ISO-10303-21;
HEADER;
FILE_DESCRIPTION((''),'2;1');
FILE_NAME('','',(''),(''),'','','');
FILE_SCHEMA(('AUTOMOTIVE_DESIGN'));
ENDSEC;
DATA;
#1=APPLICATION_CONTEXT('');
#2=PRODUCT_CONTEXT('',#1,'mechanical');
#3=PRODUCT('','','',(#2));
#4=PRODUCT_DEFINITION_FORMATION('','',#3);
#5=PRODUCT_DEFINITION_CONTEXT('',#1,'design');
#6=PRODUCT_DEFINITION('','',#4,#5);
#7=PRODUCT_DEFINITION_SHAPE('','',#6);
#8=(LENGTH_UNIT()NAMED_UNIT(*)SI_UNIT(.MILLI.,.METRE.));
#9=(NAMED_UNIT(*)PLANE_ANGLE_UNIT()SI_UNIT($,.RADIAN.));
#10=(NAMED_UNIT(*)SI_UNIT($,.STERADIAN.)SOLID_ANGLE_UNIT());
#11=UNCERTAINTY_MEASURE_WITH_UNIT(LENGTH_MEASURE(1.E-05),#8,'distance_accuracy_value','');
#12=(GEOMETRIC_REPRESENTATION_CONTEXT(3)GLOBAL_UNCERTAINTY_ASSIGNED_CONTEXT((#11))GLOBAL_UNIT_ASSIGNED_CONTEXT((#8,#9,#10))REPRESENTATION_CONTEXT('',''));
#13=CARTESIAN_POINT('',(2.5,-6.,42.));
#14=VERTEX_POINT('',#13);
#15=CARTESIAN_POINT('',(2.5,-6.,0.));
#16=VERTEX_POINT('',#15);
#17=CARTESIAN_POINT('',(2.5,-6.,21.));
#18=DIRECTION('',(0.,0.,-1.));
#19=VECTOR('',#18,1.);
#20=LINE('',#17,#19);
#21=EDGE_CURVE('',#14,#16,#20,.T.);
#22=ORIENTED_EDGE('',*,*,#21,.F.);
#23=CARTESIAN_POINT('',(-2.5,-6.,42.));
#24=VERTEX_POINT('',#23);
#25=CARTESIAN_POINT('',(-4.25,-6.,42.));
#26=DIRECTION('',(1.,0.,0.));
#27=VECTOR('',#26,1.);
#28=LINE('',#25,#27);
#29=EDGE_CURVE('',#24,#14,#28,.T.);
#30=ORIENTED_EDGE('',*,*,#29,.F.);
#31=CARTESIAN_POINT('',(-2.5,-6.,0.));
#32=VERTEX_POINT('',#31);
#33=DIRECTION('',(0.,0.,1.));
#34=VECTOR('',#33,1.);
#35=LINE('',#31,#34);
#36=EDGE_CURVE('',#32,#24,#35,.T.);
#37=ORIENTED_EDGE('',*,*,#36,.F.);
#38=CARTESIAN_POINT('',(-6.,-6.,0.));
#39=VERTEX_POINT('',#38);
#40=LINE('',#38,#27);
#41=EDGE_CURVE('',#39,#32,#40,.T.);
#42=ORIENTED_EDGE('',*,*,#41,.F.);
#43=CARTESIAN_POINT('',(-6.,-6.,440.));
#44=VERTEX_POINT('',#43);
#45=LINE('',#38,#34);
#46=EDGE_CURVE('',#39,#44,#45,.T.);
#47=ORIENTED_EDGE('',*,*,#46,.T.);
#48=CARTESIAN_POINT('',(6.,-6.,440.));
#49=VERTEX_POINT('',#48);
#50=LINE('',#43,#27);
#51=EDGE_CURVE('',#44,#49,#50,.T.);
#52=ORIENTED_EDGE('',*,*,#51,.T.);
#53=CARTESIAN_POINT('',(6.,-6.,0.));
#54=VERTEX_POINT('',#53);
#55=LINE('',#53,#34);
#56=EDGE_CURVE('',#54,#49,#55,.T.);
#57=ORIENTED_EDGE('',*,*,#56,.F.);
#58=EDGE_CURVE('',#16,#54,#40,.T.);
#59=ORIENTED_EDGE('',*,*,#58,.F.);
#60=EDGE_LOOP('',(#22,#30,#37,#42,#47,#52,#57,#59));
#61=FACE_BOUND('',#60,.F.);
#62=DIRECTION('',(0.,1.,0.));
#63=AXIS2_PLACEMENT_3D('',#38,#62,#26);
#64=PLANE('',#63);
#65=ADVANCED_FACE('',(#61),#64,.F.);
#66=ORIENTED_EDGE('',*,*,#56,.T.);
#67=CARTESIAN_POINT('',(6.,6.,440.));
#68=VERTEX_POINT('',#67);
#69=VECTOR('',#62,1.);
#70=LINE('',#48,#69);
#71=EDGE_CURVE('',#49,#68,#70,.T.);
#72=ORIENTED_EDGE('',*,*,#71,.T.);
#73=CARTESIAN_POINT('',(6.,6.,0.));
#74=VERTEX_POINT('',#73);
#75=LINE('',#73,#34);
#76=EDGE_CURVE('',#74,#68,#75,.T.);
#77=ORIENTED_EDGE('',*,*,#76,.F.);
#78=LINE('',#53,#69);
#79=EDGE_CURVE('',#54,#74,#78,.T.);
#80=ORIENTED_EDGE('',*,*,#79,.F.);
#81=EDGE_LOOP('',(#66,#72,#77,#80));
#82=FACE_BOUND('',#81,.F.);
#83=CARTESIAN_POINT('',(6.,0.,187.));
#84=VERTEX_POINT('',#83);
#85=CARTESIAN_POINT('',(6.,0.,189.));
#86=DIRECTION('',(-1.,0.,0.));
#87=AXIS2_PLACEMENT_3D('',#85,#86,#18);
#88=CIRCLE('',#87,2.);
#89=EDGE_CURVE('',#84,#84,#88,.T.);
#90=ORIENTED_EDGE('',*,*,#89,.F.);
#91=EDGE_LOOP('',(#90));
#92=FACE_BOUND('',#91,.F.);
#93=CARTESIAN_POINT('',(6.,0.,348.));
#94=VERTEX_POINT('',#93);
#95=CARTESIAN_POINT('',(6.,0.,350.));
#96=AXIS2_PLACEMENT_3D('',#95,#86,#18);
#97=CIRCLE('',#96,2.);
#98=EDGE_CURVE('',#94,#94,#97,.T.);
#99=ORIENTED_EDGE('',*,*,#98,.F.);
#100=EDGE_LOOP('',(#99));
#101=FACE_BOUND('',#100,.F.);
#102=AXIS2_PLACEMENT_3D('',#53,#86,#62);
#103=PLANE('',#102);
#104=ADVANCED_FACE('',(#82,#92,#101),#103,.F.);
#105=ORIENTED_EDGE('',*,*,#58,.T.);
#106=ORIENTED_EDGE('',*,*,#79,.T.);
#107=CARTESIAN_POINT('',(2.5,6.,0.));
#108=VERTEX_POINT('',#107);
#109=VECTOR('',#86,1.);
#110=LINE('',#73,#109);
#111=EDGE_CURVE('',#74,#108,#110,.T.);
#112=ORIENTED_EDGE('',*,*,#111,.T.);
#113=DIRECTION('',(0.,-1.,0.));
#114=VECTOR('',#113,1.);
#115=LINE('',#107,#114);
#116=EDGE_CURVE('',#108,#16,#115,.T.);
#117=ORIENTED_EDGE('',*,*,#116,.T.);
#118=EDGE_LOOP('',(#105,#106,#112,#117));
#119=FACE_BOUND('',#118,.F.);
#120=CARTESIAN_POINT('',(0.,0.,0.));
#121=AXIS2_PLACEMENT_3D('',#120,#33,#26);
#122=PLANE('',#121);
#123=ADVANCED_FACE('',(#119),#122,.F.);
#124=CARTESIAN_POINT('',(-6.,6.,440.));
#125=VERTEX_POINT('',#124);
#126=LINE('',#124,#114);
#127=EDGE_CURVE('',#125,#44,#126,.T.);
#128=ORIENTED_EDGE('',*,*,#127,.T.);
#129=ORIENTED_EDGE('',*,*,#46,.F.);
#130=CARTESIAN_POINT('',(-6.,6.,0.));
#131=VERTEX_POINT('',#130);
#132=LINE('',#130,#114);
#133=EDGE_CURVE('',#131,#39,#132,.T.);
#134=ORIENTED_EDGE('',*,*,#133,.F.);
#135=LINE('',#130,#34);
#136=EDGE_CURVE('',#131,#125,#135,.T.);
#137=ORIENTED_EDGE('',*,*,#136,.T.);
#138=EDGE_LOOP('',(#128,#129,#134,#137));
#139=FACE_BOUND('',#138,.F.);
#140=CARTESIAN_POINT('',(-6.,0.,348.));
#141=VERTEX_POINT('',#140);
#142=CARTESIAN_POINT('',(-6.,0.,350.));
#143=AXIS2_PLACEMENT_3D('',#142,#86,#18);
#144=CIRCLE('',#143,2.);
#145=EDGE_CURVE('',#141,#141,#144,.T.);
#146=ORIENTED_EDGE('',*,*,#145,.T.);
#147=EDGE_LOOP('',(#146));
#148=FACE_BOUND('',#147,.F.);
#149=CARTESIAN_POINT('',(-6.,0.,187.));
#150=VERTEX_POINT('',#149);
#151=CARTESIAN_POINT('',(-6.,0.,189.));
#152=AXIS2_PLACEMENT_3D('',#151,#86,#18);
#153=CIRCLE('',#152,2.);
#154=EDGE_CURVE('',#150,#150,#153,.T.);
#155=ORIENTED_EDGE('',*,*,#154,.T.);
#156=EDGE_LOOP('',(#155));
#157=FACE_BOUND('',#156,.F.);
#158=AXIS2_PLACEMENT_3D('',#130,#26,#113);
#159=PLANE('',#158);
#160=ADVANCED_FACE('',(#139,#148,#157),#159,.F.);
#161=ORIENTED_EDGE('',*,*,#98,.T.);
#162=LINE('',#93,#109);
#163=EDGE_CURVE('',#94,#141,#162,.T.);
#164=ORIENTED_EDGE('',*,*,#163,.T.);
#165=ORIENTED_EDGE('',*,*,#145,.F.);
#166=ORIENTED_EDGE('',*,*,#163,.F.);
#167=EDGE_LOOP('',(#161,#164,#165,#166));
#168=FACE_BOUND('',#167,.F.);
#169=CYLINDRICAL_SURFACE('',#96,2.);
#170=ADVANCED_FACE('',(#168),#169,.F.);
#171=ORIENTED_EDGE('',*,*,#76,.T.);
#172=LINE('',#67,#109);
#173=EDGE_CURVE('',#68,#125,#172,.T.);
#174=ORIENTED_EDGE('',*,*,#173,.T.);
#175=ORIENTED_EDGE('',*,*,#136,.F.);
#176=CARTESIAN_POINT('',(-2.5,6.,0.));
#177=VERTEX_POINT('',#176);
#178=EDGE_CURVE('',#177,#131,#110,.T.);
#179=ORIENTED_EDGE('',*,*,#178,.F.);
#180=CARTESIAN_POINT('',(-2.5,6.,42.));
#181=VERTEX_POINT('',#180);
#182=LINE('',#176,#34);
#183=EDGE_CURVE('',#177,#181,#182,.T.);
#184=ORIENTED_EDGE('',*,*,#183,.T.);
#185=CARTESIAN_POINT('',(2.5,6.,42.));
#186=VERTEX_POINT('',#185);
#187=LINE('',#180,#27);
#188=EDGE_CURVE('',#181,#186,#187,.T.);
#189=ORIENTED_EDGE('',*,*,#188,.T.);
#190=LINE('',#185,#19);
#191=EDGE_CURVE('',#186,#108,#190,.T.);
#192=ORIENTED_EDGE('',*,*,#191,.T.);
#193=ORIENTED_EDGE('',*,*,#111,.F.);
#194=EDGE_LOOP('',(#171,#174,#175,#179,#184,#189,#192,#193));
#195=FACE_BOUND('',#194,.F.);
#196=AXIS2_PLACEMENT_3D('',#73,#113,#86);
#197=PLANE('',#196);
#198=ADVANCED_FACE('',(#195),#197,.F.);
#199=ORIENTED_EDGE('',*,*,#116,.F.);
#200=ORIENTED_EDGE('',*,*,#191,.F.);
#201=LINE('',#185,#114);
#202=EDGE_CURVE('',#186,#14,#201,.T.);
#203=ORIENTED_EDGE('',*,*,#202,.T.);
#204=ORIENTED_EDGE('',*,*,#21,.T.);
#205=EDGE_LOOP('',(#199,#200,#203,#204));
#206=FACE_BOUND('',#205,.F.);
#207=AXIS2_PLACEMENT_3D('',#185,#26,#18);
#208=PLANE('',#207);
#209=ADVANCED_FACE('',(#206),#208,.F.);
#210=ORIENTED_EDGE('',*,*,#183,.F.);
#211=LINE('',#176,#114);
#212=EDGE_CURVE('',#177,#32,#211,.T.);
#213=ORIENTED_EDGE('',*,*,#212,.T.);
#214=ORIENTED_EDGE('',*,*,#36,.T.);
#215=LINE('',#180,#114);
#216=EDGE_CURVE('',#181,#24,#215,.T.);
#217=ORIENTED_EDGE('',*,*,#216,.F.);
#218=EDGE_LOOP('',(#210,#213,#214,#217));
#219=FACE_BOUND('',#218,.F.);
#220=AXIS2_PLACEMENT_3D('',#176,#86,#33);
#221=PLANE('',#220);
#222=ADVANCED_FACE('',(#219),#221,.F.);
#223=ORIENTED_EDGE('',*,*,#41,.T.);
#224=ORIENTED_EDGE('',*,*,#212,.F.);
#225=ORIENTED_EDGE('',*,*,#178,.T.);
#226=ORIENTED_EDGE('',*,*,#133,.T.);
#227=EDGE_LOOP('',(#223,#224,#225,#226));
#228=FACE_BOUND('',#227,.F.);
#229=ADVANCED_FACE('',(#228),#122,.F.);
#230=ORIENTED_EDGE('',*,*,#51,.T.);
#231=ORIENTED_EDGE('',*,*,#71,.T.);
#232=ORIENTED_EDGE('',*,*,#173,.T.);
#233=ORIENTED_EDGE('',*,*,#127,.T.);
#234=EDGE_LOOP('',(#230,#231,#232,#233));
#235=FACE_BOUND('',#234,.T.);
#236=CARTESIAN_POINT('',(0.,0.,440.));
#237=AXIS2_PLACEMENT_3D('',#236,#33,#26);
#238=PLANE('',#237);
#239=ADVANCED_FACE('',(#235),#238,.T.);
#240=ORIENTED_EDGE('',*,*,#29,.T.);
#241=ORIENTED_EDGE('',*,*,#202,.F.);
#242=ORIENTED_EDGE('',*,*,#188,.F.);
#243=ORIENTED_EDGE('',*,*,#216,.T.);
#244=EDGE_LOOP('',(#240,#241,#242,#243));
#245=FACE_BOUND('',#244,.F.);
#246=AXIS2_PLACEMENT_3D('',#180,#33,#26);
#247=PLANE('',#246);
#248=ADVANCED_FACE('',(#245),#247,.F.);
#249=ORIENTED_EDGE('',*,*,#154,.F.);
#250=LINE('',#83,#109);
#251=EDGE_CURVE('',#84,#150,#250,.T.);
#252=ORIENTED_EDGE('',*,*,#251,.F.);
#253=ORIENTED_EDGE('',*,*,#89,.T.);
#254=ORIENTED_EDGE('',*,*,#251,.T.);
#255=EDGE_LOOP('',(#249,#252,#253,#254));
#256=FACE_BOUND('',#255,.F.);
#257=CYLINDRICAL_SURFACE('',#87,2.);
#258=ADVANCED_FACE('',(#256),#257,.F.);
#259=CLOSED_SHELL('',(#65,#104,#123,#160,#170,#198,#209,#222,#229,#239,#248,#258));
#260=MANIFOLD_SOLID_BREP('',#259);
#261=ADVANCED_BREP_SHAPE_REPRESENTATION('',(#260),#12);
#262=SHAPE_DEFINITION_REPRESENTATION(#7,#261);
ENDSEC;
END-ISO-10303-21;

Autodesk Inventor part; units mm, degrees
ref_plane "YZ Plane" through (0, 0, 0) normal (1, 0, 0) x (0, 1, 0)
ref_plane "XZ Plane" through (0, 0, 0) normal (0, 1, 0) x (-1, 0, 0)
ref_plane "XY Plane" through (0, 0, 0) normal (0, 0, 1) x (1, 0, 0)
sketch "Sketch1" plane through (0, 0, 0) normal (0, 0, 1) x (1, 0, 0)
  line L0 (-6, -6) -> (6, -6)
  line L1 (6, -6) -> (6, 6)
  line L2 (6, 6) -> (-6, 6)
  line L3 (-6, 6) -> (-6, -6)
  line L4 (-6, -6) -> (6, 6) construction
  line L5 (6, -6) -> (-6, 6) construction
  point P0 (0, 0)
  dimension "d0" = 12
  dimension "d1" = 12
extrude "Extrusion1" add sketch "Sketch1" along normal blind 440
sketch "Sketch4" plane through (-6, 6, 0) normal (0, 1, 0) x (1, 0, 0)
  line L0 (12, 0) -> (0, 0) projected
  line L1 (0, 0) -> (0, -440) projected
  line L2 (12, -440) -> (0, -440) projected
  line L3 (12, 0) -> (12, -440) projected
  line L4 (3.5, 0) -> (3.5, -42)
  line L5 (3.5, -42) -> (8.5, -42)
  line L6 (8.5, -42) -> (8.5, 0)
  point P0 (6, 0)
  point P1 (6, -42)
  point P2 (6, 0)
  dimension "d17" = 5
  dimension "d18" = 42
extrude "Extrusion3" cut sketch "Sketch4" against normal through all contours L6 L5 L4 L0
sketch "Sketch5" plane through (6, -6, 0) normal (1, 0, 0) x (0, 0, -1)
  line L0 (-440, 0) -> (-440, 12) projected
  point P0 (0, 6)
  point P1 (-350, 6)
  point P2 (-189, 6)
  point P3 (-440, 6)
  dimension "d21" = 161
  dimension "d24" = 90
hole "Hole2" at (6, 0, 350) at (6, 0, 189) direction (-1, 0, 0) diameter 4 end through all
equation "\"d0\" = d1"
properties part number "tailboom" material "Balsa"
